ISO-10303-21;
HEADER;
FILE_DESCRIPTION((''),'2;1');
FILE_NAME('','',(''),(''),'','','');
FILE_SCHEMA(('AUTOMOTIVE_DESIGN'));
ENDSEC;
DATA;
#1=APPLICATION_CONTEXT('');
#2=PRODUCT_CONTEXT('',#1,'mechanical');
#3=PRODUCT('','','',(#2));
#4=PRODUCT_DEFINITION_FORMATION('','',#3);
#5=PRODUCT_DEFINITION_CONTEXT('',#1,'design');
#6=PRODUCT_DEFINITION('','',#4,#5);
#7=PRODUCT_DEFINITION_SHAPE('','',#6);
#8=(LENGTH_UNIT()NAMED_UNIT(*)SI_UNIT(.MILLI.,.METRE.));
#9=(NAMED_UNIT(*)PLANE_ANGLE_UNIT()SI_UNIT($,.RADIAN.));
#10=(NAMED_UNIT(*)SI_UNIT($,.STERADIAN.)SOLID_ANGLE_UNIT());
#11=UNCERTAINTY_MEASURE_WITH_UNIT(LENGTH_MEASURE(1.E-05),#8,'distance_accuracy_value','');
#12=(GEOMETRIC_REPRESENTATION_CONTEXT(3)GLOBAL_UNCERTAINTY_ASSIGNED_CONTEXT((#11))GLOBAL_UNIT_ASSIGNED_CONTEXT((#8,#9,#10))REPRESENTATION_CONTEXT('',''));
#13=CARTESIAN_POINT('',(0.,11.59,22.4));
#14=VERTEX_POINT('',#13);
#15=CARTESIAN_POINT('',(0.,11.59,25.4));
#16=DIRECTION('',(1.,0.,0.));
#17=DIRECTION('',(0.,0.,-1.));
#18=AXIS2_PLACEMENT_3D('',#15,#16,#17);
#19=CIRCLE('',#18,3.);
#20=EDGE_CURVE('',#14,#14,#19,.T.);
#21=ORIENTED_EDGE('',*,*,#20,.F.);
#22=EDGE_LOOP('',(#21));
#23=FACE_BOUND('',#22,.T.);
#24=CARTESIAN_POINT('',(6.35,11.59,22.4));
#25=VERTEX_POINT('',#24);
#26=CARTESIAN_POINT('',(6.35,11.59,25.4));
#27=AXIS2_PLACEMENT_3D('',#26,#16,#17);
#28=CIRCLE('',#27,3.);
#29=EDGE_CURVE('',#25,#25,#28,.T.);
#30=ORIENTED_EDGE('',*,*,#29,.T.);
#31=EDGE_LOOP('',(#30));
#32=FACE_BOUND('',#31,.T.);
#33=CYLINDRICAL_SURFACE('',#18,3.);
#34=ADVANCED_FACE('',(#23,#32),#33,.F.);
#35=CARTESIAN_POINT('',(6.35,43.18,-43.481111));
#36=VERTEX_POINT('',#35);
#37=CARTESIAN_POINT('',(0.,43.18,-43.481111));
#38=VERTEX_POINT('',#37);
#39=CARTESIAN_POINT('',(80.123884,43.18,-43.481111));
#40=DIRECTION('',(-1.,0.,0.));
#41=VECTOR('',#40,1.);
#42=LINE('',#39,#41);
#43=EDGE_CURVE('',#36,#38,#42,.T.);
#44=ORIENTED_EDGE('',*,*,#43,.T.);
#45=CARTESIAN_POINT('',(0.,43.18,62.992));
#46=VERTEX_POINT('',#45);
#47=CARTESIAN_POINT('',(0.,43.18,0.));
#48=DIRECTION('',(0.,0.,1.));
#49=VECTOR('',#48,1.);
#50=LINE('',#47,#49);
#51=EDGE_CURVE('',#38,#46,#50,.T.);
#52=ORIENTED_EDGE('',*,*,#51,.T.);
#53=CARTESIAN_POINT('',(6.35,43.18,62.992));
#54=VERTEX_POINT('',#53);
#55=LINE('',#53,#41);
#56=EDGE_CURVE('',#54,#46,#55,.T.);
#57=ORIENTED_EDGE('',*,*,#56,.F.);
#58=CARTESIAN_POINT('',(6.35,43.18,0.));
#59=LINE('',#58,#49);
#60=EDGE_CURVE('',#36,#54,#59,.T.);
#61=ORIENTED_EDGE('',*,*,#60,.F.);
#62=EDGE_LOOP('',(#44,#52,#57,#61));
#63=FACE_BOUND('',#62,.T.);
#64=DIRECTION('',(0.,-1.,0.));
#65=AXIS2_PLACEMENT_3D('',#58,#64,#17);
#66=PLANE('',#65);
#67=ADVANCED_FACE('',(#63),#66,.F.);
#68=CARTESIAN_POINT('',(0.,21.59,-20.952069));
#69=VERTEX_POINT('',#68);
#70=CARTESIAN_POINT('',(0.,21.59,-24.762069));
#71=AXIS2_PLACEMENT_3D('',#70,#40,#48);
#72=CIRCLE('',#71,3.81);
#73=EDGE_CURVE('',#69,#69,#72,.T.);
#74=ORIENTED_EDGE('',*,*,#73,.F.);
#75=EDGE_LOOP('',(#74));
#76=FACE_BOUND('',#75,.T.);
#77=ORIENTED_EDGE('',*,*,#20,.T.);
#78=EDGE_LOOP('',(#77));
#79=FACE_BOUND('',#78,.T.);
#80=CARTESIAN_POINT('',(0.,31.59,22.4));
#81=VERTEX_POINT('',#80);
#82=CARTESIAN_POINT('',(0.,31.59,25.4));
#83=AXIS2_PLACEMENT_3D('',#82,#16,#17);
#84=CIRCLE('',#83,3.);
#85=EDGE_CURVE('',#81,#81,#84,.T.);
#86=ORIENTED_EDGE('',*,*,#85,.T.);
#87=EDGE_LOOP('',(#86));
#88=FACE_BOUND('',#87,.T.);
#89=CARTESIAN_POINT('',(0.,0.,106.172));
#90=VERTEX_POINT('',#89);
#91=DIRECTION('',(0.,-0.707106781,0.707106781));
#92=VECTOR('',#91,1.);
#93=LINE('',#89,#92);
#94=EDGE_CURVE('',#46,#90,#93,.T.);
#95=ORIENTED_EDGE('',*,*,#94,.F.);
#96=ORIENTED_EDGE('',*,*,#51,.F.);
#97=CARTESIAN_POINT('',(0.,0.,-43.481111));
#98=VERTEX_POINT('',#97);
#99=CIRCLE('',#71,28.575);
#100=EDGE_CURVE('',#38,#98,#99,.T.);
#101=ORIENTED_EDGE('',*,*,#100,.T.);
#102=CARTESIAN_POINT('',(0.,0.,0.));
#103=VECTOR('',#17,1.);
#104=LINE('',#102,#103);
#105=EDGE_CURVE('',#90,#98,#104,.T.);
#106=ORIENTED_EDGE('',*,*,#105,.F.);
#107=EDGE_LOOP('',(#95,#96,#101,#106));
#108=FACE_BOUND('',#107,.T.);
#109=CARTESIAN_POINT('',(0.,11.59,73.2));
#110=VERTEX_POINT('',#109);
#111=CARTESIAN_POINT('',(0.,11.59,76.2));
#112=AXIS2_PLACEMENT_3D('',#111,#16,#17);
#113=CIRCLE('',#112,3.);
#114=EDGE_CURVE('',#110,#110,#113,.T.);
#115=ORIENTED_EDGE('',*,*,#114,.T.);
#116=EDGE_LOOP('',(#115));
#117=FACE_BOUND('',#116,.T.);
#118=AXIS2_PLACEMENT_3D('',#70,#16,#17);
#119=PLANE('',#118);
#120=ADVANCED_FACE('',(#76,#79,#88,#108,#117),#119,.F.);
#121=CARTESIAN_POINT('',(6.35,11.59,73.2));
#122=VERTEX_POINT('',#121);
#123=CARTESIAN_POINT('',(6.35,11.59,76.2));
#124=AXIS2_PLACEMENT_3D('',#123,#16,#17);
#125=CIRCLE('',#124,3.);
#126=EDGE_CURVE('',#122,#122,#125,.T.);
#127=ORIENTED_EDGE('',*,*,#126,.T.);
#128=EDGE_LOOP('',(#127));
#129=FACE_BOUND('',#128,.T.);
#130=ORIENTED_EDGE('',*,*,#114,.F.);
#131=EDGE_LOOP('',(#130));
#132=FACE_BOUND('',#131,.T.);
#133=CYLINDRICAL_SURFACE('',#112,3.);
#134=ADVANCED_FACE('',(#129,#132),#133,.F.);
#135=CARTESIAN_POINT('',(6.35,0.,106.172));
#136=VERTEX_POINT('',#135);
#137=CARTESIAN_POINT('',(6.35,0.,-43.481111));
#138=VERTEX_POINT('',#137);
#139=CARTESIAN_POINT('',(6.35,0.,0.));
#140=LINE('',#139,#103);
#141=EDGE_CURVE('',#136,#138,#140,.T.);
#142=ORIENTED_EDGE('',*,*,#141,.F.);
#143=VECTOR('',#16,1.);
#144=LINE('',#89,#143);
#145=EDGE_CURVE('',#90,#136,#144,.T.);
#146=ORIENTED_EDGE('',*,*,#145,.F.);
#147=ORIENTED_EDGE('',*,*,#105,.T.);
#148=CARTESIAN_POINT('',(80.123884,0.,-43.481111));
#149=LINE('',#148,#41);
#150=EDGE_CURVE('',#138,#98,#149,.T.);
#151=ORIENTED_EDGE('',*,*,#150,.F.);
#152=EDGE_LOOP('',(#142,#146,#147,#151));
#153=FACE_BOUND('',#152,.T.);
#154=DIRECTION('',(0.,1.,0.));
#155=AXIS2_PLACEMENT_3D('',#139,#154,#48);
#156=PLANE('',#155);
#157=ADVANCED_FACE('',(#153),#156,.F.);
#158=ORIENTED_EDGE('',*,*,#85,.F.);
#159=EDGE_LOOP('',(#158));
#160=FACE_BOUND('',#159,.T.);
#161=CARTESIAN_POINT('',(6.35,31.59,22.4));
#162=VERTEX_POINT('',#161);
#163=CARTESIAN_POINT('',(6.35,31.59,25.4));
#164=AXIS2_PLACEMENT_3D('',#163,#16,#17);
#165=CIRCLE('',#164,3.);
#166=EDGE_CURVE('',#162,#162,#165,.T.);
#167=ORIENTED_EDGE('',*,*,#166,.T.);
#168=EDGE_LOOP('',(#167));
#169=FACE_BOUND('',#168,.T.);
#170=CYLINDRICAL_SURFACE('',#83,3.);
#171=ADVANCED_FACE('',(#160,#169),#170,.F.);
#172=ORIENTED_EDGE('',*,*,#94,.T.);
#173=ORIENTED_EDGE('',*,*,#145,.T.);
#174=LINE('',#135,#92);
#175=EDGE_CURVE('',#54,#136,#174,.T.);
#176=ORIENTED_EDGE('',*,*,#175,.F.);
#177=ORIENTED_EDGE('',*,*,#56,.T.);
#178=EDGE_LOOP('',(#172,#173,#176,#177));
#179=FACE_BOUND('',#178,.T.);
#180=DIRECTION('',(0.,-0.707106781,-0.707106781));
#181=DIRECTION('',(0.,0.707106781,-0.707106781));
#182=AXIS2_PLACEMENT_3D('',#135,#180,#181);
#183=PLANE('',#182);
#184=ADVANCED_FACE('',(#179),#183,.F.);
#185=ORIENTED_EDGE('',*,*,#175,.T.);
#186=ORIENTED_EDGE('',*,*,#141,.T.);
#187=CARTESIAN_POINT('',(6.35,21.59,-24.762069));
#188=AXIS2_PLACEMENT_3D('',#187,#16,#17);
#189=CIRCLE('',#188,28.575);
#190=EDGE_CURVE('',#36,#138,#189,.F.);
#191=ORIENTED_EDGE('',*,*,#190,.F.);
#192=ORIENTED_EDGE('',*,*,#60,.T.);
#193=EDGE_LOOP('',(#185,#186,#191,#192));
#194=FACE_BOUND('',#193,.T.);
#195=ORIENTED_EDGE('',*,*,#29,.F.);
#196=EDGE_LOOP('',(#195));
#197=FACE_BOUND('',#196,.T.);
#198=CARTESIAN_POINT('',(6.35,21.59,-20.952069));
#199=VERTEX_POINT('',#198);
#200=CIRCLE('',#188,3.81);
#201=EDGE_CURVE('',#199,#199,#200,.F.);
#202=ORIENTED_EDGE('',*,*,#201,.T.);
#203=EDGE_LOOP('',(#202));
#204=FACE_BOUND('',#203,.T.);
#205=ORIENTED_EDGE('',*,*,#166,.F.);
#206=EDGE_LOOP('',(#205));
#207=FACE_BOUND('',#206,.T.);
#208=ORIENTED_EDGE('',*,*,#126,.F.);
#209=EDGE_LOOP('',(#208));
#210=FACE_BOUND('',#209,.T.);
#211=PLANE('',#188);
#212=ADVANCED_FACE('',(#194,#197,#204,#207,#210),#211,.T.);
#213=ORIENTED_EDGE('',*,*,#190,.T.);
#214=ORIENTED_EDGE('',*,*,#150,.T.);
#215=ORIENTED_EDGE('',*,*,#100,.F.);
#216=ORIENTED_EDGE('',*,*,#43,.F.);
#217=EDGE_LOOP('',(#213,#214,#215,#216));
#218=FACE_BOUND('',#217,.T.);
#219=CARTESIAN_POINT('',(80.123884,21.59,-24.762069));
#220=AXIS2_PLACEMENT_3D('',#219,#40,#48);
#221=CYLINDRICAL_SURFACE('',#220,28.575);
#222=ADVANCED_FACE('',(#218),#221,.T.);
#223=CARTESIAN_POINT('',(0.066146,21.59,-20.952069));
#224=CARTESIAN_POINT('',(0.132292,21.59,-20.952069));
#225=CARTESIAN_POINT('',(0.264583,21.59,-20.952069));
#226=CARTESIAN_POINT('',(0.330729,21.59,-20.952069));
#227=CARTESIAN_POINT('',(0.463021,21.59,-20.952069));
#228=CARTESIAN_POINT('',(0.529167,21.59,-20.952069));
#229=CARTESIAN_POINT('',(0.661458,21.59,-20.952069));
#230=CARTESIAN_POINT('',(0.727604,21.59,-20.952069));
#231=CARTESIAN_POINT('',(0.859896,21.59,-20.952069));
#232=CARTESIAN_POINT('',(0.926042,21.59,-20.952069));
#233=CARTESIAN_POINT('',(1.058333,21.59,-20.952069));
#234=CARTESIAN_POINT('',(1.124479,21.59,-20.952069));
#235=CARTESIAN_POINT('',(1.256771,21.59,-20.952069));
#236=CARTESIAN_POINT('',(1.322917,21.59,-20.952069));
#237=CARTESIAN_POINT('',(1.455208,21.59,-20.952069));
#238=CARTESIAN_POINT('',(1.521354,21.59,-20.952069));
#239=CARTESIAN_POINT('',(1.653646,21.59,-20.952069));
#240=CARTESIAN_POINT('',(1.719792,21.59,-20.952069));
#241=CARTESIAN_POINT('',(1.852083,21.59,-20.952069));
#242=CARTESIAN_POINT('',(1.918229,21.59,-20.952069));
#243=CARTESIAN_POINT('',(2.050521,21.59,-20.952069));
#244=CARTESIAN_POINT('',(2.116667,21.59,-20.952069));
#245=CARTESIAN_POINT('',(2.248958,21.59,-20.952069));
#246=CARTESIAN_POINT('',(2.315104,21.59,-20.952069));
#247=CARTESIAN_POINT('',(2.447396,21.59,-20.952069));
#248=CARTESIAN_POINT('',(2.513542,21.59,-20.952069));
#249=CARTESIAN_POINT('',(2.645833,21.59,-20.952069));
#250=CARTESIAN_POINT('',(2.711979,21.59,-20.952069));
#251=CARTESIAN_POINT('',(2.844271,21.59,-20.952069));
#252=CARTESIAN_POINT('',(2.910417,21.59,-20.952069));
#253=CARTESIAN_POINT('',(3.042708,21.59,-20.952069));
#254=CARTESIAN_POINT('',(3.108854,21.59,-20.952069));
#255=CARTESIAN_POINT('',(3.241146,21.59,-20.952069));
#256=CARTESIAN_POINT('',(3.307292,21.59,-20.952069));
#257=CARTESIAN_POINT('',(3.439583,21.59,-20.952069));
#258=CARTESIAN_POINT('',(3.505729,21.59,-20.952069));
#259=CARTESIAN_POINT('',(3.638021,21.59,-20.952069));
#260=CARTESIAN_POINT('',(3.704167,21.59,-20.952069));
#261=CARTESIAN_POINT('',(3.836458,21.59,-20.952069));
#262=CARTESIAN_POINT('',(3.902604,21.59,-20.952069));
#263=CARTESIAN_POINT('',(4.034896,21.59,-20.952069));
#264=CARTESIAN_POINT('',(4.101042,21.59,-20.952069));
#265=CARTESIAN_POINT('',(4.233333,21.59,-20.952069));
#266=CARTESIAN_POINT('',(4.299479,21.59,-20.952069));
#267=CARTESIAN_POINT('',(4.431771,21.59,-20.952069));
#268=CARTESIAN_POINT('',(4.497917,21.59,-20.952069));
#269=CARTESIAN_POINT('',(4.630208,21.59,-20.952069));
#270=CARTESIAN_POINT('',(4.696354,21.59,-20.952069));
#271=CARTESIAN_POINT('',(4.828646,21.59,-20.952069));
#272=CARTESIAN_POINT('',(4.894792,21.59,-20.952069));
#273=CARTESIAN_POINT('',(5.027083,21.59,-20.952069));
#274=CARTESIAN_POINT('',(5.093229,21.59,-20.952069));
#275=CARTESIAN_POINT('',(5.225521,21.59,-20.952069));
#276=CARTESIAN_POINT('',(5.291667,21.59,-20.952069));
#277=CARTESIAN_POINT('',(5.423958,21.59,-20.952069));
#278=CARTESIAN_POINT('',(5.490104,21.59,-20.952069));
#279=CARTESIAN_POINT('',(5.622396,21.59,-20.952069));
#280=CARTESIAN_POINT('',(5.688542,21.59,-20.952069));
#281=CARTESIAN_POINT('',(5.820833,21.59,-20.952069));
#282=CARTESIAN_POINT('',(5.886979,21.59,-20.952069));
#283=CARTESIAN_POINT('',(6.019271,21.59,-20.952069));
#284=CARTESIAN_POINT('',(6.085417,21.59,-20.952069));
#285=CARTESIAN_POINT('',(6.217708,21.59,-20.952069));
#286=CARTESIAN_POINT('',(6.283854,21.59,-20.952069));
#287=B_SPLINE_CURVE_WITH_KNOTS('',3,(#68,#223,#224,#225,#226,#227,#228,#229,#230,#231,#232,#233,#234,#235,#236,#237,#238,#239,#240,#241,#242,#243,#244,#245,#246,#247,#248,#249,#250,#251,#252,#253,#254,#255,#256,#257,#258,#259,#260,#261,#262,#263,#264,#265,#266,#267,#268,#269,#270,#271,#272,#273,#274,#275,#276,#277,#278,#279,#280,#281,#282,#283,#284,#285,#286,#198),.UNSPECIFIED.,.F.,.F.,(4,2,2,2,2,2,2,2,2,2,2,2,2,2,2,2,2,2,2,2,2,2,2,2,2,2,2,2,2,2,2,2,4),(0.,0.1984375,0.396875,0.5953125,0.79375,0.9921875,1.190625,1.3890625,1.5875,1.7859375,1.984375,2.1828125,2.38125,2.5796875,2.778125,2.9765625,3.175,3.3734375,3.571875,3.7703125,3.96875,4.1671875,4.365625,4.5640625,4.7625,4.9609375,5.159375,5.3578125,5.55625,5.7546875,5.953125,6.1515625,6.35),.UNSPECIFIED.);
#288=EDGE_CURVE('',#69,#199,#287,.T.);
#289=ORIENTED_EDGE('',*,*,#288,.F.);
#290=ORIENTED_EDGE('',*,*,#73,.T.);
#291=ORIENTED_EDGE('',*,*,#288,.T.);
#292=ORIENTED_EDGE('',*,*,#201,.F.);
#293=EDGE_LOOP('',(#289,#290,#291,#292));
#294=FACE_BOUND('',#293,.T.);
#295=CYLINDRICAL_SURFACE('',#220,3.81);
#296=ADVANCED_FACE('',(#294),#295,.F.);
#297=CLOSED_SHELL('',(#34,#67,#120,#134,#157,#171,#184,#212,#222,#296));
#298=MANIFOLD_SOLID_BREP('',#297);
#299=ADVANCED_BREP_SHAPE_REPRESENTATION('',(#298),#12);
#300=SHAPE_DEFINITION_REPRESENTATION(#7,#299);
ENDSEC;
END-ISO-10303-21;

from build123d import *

# Parameters (mm, degrees)
BOSS_EXTRUDE1_DEPTH = 6.35
BOSS_EXTRUDE2_DEPTH = 6.35
CUT_EXTRUDE1_DEPTH  = 176.195383741
SKETCH4_R           = 3
CUT_EXTRUDE2_DEPTH  = 169.439588188
CUT_EXTRUDE3_DEPTH  = 6.35
SKETCH7_R           = 3.81
BOSS_EXTRUDE3_DEPTH = 6.35


with BuildPart() as part:
    # Sketch1 → Boss-Extrude1 (new body)
    with BuildSketch(Plane(origin=(0, 0, 0), x_dir=(0, 0, -1), z_dir=(1, 0, 0))):
        with BuildLine():
            Line((-106.172, 0), (-62.992, 43.18))
            Line((-62.992, 43.18), (0, 43.18))
            Line((0, 43.18), (0, 40.64))
            ThreePointArc((0, 40.64), (-6.479930943, 21.59), (0, 2.54))
            Line((0, 2.54), (0, 0))
            Line((0, 0), (-106.172, 0))
        make_face()
    extrude(amount=BOSS_EXTRUDE1_DEPTH)

    # Sketch2 → Boss-Extrude2 (add)
    with BuildSketch(Plane(origin=(6.35, 0, 0), x_dir=(0, 0, -1), z_dir=(1, 0, 0))):
        Polygon((-68.072, 0), (-169.672, 0), (-144.272, 10.16), (-68.072, 17.78), align=None)
    extrude(amount=-BOSS_EXTRUDE2_DEPTH)

    # Sketch3 → Cut-Extrude1 (cut, through all)
    with BuildSketch(Plane(origin=(6.35, 0, 0), x_dir=(0, 0, -1), z_dir=(1, 0, 0))):
        Polygon((-106.172, 0), (-162.687, 2.794), (-169.672, 0), align=None)
    extrude(amount=-CUT_EXTRUDE1_DEPTH, mode=Mode.SUBTRACT)

    # Sketch4 → Cut-Extrude2 (cut, through all)
    with BuildSketch(Plane(origin=(6.35, 0, 0), x_dir=(0, 0, -1), z_dir=(1, 0, 0))):
        with Locations((-25.4, 31.59)):
            Circle(SKETCH4_R)
        with Locations((-25.4, 11.59)):
            Circle(SKETCH4_R)
        with Locations((-76.2, 11.59)):
            Circle(SKETCH4_R)
    extrude(amount=-CUT_EXTRUDE2_DEPTH, mode=Mode.SUBTRACT)

    # Sketch6 → Cut-Extrude3 (cut)
    with BuildSketch(Plane.ZY):
        Polygon((62.992, 43.18), (90.649777778, 15.522222222), (108.309937594, -2.137937594), (165.318856779, -0.913782118), (157.233600138, 13.290047118), (95.237394621, 20.109839066), align=None)
    extrude(amount=-CUT_EXTRUDE3_DEPTH, mode=Mode.SUBTRACT)

    # Sketch7 → Boss-Extrude3 (add)
    with BuildSketch(Plane.ZY):
        with BuildLine():
            Line((0, 43.18), (-43.481110833, 43.18))
            ThreePointArc((-43.481110833, 43.18), (-53.337069057, 21.59), (-43.481110833, 0))
            Line((-43.481110833, 0), (0, 0))
            Line((0, 0), (0, 2.54))
            ThreePointArc((0, 2.54), (6.479930943, 21.59), (0, 40.64))
            Line((0, 40.64), (0, 43.18))
        make_face()
        with Locations((-24.762069057, 21.59)):
            Circle(SKETCH7_R, mode=Mode.SUBTRACT)
    extrude(amount=-BOSS_EXTRUDE3_DEPTH)


solid = part.part
